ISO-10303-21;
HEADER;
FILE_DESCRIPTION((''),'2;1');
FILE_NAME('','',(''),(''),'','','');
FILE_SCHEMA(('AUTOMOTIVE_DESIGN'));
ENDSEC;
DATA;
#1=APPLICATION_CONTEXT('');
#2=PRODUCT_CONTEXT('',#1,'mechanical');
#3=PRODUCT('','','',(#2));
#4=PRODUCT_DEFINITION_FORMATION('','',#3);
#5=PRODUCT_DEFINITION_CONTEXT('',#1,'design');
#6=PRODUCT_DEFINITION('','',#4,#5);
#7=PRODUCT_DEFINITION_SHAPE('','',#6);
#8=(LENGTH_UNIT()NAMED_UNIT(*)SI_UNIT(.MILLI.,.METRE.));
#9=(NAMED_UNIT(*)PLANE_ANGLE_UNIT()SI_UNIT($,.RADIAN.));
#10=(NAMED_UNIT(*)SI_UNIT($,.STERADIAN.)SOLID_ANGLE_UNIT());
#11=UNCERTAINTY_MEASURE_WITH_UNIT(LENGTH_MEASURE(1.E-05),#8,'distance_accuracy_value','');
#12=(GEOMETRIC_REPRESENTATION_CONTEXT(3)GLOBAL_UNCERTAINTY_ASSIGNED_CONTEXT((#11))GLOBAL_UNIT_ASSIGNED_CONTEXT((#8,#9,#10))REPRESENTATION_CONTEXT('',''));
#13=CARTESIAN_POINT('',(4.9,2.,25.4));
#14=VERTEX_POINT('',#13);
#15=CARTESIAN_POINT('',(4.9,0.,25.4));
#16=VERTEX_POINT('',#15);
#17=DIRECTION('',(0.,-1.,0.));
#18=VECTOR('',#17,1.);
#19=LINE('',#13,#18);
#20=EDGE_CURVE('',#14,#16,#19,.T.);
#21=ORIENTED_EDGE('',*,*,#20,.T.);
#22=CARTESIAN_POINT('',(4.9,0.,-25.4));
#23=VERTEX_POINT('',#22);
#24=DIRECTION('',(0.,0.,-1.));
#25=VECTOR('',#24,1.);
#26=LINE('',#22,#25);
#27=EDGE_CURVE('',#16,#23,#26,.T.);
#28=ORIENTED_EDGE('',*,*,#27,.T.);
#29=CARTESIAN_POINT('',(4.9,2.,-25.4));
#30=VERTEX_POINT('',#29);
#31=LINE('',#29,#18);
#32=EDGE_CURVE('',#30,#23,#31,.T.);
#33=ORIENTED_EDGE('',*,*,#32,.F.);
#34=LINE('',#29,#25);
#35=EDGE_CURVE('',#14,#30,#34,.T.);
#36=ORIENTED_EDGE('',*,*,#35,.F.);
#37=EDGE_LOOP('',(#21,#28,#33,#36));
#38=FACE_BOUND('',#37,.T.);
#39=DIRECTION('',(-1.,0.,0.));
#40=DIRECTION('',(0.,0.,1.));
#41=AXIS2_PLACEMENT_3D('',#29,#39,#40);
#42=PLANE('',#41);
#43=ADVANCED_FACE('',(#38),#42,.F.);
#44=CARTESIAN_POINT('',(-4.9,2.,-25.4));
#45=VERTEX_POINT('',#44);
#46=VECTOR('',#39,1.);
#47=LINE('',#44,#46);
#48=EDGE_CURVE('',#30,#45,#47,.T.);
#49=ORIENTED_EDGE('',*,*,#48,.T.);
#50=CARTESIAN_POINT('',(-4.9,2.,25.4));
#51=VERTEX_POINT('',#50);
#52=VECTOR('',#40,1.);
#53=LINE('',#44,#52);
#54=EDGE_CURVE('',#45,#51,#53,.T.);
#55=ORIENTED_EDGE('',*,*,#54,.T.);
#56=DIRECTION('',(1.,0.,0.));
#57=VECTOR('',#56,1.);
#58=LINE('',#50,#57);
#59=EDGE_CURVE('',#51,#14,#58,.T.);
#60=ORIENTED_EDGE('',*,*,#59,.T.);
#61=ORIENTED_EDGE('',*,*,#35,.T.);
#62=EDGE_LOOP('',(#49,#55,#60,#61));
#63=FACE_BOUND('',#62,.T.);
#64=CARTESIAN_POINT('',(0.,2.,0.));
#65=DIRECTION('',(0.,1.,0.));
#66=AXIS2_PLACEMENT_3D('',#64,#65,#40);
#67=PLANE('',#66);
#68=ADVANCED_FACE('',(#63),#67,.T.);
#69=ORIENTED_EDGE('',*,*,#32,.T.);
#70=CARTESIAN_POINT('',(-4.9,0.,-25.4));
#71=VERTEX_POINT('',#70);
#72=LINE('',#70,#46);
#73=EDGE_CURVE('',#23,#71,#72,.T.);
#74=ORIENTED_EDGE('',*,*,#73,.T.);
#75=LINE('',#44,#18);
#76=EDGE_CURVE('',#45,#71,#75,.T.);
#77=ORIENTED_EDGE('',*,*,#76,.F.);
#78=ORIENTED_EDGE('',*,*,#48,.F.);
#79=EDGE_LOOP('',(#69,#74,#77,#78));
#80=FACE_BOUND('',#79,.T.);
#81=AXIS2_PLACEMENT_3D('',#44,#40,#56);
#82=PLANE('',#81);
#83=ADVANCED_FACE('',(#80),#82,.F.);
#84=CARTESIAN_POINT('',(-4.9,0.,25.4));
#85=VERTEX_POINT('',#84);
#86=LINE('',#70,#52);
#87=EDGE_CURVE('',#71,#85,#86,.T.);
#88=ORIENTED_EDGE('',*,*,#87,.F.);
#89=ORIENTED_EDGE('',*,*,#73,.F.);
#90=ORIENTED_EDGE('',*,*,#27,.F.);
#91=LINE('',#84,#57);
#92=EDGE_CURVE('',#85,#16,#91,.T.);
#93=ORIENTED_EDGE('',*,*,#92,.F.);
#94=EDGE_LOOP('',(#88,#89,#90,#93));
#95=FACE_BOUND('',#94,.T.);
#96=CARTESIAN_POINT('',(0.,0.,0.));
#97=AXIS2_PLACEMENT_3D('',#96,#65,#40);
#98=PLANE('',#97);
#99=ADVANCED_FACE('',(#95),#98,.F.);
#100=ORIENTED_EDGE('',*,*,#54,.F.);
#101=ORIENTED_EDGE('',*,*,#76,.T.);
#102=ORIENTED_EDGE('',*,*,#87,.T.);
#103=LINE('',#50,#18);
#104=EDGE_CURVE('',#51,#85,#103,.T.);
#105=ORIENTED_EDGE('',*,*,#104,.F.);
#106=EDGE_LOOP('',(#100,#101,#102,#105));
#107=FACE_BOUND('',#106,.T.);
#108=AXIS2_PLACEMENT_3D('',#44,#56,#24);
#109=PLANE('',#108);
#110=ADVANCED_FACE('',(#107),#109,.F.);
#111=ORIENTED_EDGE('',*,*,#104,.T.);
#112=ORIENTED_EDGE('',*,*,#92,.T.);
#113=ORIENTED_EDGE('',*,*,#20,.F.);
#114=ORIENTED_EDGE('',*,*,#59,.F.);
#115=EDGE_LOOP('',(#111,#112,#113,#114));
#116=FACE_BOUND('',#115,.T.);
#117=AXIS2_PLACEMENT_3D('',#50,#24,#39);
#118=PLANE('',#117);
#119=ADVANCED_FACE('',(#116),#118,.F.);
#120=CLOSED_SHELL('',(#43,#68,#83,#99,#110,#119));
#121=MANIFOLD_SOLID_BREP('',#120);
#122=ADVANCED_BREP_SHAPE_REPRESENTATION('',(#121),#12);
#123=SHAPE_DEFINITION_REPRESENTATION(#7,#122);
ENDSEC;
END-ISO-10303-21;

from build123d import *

# Parameters (mm, degrees)
SKETCH_1_W      = 9.8
SKETCH_1_H      = 50.8
EXTRUDE_1_DEPTH = 2


with BuildPart() as part:
    # 草图1 → 凸台-拉伸1 (new body)
    with BuildSketch(Plane(origin=(0, 0, 0), x_dir=(1, 0, 0), z_dir=(0, 1, 0))):
        Rectangle(SKETCH_1_W, SKETCH_1_H)
    extrude(amount=EXTRUDE_1_DEPTH)


solid = part.part
